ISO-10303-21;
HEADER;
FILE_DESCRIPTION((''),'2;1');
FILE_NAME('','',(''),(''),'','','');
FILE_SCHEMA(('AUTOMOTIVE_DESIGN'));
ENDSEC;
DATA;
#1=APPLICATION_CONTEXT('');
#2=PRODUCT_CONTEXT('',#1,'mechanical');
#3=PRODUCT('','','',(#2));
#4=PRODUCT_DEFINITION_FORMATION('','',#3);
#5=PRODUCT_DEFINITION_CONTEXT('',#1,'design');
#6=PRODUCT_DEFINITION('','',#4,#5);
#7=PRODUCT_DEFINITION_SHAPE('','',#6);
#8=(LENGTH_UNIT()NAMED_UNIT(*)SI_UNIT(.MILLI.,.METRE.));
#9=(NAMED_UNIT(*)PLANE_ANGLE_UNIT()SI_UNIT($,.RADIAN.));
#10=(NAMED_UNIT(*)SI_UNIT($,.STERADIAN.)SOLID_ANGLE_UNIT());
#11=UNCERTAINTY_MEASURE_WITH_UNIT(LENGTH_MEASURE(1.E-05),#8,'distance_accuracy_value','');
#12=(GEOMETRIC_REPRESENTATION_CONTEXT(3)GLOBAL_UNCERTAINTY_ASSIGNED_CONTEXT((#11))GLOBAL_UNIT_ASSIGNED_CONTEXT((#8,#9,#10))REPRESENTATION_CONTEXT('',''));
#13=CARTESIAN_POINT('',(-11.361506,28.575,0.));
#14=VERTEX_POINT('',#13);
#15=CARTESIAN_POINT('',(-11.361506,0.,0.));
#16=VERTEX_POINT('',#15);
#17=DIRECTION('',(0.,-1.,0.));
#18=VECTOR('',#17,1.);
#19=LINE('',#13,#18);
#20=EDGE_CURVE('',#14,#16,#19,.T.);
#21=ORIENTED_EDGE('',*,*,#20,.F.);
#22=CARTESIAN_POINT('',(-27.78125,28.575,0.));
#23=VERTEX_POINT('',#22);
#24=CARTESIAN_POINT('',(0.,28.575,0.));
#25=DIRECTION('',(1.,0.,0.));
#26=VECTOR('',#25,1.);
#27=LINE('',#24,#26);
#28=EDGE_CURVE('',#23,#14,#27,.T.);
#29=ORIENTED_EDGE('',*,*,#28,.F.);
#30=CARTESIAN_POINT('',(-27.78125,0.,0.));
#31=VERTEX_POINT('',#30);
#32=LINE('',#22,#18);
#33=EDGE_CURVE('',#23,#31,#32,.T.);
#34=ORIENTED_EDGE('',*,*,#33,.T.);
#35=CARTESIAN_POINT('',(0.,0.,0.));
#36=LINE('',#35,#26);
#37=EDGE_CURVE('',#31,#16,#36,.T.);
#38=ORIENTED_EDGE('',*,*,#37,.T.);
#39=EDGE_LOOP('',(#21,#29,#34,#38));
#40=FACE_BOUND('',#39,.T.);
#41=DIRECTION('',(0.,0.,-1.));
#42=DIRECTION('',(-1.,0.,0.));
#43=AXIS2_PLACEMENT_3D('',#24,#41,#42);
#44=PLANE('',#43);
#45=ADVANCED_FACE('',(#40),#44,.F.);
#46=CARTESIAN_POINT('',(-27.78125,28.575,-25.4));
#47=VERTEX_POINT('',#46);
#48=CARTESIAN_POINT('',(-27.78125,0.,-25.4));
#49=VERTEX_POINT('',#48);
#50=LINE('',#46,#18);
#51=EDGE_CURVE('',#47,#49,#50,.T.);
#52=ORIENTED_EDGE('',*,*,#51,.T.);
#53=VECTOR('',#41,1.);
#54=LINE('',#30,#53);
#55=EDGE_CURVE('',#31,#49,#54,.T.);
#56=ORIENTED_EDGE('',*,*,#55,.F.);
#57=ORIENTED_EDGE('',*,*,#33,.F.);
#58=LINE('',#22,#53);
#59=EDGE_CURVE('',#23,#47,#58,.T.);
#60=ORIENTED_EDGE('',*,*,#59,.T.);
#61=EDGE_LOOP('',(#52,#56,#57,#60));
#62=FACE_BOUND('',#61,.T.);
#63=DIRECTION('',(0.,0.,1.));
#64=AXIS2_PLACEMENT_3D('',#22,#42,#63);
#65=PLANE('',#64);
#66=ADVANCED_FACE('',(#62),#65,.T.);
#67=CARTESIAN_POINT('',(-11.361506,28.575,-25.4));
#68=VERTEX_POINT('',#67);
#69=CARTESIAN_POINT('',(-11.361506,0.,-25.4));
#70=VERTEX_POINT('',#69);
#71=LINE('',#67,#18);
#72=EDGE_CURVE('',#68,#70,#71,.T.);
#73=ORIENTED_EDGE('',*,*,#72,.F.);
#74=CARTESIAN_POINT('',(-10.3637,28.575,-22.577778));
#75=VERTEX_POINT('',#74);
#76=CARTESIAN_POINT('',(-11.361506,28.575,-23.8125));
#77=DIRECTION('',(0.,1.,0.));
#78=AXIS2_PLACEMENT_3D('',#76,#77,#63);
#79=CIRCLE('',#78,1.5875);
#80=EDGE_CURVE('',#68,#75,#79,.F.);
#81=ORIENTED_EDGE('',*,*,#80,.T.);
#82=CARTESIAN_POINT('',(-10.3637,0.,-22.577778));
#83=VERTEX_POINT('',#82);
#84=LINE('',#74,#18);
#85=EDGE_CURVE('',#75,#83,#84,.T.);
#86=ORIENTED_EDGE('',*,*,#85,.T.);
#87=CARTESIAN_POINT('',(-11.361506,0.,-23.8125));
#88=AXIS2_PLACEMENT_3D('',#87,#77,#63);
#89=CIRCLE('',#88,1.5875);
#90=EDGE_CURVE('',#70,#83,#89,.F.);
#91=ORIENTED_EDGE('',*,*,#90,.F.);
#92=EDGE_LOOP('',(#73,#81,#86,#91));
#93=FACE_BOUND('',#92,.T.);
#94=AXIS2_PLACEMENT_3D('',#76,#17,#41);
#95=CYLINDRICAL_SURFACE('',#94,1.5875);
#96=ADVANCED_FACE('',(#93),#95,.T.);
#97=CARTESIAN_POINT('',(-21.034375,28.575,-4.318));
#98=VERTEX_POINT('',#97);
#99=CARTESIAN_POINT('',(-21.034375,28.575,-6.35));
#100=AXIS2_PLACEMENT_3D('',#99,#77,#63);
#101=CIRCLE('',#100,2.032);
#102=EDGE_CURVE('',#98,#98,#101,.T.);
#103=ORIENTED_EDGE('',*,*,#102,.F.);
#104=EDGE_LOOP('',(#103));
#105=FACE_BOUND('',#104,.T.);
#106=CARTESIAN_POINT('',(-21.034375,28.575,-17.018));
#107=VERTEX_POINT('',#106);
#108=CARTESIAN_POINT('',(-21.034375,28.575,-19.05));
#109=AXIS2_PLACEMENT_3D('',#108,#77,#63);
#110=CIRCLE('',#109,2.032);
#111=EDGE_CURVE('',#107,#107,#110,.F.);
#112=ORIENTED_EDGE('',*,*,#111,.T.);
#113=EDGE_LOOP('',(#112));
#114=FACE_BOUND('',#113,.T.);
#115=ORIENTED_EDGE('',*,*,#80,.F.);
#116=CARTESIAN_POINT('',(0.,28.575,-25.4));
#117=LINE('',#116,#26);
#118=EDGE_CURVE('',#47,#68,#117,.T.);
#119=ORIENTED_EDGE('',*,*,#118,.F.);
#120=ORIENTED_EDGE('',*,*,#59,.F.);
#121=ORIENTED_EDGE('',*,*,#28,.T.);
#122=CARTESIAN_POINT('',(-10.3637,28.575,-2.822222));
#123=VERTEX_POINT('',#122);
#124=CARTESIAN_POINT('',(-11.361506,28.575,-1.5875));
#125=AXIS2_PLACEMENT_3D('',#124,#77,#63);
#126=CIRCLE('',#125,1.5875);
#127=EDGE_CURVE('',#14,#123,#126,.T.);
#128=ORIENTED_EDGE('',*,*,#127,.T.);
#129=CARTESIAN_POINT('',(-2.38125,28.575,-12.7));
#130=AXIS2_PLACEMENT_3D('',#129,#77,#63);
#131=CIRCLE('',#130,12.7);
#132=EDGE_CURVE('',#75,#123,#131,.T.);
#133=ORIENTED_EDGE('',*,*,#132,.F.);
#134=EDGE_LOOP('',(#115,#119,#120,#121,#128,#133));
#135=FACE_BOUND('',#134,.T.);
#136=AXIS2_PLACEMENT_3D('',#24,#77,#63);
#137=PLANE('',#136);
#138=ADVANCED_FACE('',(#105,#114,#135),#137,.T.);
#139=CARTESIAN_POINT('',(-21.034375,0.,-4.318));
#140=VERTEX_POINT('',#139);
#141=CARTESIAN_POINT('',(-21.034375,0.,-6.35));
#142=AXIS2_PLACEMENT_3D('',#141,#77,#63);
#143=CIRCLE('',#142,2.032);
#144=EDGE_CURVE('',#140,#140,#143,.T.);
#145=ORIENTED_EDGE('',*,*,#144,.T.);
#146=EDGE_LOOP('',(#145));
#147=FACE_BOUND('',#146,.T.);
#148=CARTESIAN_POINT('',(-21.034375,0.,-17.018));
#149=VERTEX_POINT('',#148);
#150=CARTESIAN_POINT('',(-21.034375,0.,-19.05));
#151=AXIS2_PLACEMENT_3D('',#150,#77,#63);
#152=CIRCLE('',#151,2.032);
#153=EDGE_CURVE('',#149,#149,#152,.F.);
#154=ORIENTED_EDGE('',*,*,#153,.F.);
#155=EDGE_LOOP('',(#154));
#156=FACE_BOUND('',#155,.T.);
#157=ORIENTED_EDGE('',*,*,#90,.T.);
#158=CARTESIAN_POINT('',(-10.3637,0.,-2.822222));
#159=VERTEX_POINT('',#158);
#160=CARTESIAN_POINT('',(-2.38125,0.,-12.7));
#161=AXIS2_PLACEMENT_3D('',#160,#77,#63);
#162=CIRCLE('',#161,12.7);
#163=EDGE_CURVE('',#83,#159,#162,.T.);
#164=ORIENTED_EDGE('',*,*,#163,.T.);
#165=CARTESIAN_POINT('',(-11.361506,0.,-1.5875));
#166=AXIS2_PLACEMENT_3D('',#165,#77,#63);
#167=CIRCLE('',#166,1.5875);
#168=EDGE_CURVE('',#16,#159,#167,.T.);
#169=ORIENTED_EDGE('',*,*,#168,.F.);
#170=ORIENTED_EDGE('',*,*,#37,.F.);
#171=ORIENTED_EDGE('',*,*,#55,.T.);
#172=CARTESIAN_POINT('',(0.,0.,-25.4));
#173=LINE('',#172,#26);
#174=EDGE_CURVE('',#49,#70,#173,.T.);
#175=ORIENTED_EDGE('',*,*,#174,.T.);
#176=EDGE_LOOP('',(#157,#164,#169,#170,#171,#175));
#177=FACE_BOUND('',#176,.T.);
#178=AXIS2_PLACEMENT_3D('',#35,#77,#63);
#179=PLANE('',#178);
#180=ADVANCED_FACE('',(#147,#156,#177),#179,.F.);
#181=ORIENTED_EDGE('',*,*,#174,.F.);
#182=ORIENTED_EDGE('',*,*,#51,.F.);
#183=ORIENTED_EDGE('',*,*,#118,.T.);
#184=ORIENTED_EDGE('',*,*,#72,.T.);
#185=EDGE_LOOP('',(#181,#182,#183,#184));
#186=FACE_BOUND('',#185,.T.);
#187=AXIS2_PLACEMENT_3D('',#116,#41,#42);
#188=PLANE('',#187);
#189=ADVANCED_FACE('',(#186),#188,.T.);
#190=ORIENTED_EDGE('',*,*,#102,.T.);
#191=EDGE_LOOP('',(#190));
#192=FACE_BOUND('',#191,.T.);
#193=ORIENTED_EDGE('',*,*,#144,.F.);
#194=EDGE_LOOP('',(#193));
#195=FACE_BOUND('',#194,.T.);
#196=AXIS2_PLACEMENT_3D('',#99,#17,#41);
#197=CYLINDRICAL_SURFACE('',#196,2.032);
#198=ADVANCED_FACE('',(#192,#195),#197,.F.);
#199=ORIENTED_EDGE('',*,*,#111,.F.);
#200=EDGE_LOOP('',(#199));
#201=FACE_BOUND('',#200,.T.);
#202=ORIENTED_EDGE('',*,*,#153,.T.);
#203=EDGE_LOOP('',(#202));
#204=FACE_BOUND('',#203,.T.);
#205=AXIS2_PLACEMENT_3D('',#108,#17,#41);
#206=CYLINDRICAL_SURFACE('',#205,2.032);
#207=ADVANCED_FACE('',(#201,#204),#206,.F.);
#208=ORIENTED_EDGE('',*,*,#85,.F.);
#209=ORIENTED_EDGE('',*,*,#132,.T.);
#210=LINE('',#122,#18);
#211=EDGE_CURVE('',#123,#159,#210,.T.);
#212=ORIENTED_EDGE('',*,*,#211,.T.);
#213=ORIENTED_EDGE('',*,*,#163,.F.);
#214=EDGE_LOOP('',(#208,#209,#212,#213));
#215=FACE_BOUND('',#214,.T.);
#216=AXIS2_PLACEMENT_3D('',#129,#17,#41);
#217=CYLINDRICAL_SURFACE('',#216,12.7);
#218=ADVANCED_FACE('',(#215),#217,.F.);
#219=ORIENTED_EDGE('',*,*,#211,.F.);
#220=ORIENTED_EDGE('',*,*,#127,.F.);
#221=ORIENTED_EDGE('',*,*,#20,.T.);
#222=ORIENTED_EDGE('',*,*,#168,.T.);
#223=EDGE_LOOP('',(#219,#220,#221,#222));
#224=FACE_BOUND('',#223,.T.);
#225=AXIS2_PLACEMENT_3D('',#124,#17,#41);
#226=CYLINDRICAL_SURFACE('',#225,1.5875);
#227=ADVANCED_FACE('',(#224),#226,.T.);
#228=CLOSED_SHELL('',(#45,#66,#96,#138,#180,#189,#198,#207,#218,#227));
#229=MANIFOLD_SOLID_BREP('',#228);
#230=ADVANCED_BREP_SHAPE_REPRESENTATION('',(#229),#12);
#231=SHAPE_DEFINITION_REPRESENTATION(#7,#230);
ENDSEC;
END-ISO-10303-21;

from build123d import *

# Parameters (mm, degrees)
SKETCH3_R           = 2.032
BOSS_EXTRUDE1_DEPTH = 28.575


with BuildPart() as part:
    # Sketch3 → Boss-Extrude1 (new body)
    with BuildSketch(Plane(origin=(0, 0, 0), x_dir=(1, 0, 0), z_dir=(0, 1, 0))):
        with BuildLine():
            Line((-27.78125, 0), (-27.78125, 25.4))
            Line((-27.78125, 25.4), (-11.361506121, 25.4))
            ThreePointArc((-11.361506121, 25.4), (-9.864796768, 24.341666667), (-10.363699885, 22.577777778))
            ThreePointArc((-10.363699885, 22.577777778), (-15.08125, 12.7), (-10.363699885, 2.822222222))
            ThreePointArc((-10.363699885, 2.822222222), (-9.864796768, 1.058333333), (-11.361506121, 0))
            Line((-11.361506121, 0), (-27.78125, 0))
        make_face()
        with Locations((-21.034375, 6.35)):
            Circle(SKETCH3_R, mode=Mode.SUBTRACT)
        with Locations((-21.034375, 19.05)):
            Circle(SKETCH3_R, mode=Mode.SUBTRACT)
    extrude(amount=BOSS_EXTRUDE1_DEPTH)


solid = part.part
